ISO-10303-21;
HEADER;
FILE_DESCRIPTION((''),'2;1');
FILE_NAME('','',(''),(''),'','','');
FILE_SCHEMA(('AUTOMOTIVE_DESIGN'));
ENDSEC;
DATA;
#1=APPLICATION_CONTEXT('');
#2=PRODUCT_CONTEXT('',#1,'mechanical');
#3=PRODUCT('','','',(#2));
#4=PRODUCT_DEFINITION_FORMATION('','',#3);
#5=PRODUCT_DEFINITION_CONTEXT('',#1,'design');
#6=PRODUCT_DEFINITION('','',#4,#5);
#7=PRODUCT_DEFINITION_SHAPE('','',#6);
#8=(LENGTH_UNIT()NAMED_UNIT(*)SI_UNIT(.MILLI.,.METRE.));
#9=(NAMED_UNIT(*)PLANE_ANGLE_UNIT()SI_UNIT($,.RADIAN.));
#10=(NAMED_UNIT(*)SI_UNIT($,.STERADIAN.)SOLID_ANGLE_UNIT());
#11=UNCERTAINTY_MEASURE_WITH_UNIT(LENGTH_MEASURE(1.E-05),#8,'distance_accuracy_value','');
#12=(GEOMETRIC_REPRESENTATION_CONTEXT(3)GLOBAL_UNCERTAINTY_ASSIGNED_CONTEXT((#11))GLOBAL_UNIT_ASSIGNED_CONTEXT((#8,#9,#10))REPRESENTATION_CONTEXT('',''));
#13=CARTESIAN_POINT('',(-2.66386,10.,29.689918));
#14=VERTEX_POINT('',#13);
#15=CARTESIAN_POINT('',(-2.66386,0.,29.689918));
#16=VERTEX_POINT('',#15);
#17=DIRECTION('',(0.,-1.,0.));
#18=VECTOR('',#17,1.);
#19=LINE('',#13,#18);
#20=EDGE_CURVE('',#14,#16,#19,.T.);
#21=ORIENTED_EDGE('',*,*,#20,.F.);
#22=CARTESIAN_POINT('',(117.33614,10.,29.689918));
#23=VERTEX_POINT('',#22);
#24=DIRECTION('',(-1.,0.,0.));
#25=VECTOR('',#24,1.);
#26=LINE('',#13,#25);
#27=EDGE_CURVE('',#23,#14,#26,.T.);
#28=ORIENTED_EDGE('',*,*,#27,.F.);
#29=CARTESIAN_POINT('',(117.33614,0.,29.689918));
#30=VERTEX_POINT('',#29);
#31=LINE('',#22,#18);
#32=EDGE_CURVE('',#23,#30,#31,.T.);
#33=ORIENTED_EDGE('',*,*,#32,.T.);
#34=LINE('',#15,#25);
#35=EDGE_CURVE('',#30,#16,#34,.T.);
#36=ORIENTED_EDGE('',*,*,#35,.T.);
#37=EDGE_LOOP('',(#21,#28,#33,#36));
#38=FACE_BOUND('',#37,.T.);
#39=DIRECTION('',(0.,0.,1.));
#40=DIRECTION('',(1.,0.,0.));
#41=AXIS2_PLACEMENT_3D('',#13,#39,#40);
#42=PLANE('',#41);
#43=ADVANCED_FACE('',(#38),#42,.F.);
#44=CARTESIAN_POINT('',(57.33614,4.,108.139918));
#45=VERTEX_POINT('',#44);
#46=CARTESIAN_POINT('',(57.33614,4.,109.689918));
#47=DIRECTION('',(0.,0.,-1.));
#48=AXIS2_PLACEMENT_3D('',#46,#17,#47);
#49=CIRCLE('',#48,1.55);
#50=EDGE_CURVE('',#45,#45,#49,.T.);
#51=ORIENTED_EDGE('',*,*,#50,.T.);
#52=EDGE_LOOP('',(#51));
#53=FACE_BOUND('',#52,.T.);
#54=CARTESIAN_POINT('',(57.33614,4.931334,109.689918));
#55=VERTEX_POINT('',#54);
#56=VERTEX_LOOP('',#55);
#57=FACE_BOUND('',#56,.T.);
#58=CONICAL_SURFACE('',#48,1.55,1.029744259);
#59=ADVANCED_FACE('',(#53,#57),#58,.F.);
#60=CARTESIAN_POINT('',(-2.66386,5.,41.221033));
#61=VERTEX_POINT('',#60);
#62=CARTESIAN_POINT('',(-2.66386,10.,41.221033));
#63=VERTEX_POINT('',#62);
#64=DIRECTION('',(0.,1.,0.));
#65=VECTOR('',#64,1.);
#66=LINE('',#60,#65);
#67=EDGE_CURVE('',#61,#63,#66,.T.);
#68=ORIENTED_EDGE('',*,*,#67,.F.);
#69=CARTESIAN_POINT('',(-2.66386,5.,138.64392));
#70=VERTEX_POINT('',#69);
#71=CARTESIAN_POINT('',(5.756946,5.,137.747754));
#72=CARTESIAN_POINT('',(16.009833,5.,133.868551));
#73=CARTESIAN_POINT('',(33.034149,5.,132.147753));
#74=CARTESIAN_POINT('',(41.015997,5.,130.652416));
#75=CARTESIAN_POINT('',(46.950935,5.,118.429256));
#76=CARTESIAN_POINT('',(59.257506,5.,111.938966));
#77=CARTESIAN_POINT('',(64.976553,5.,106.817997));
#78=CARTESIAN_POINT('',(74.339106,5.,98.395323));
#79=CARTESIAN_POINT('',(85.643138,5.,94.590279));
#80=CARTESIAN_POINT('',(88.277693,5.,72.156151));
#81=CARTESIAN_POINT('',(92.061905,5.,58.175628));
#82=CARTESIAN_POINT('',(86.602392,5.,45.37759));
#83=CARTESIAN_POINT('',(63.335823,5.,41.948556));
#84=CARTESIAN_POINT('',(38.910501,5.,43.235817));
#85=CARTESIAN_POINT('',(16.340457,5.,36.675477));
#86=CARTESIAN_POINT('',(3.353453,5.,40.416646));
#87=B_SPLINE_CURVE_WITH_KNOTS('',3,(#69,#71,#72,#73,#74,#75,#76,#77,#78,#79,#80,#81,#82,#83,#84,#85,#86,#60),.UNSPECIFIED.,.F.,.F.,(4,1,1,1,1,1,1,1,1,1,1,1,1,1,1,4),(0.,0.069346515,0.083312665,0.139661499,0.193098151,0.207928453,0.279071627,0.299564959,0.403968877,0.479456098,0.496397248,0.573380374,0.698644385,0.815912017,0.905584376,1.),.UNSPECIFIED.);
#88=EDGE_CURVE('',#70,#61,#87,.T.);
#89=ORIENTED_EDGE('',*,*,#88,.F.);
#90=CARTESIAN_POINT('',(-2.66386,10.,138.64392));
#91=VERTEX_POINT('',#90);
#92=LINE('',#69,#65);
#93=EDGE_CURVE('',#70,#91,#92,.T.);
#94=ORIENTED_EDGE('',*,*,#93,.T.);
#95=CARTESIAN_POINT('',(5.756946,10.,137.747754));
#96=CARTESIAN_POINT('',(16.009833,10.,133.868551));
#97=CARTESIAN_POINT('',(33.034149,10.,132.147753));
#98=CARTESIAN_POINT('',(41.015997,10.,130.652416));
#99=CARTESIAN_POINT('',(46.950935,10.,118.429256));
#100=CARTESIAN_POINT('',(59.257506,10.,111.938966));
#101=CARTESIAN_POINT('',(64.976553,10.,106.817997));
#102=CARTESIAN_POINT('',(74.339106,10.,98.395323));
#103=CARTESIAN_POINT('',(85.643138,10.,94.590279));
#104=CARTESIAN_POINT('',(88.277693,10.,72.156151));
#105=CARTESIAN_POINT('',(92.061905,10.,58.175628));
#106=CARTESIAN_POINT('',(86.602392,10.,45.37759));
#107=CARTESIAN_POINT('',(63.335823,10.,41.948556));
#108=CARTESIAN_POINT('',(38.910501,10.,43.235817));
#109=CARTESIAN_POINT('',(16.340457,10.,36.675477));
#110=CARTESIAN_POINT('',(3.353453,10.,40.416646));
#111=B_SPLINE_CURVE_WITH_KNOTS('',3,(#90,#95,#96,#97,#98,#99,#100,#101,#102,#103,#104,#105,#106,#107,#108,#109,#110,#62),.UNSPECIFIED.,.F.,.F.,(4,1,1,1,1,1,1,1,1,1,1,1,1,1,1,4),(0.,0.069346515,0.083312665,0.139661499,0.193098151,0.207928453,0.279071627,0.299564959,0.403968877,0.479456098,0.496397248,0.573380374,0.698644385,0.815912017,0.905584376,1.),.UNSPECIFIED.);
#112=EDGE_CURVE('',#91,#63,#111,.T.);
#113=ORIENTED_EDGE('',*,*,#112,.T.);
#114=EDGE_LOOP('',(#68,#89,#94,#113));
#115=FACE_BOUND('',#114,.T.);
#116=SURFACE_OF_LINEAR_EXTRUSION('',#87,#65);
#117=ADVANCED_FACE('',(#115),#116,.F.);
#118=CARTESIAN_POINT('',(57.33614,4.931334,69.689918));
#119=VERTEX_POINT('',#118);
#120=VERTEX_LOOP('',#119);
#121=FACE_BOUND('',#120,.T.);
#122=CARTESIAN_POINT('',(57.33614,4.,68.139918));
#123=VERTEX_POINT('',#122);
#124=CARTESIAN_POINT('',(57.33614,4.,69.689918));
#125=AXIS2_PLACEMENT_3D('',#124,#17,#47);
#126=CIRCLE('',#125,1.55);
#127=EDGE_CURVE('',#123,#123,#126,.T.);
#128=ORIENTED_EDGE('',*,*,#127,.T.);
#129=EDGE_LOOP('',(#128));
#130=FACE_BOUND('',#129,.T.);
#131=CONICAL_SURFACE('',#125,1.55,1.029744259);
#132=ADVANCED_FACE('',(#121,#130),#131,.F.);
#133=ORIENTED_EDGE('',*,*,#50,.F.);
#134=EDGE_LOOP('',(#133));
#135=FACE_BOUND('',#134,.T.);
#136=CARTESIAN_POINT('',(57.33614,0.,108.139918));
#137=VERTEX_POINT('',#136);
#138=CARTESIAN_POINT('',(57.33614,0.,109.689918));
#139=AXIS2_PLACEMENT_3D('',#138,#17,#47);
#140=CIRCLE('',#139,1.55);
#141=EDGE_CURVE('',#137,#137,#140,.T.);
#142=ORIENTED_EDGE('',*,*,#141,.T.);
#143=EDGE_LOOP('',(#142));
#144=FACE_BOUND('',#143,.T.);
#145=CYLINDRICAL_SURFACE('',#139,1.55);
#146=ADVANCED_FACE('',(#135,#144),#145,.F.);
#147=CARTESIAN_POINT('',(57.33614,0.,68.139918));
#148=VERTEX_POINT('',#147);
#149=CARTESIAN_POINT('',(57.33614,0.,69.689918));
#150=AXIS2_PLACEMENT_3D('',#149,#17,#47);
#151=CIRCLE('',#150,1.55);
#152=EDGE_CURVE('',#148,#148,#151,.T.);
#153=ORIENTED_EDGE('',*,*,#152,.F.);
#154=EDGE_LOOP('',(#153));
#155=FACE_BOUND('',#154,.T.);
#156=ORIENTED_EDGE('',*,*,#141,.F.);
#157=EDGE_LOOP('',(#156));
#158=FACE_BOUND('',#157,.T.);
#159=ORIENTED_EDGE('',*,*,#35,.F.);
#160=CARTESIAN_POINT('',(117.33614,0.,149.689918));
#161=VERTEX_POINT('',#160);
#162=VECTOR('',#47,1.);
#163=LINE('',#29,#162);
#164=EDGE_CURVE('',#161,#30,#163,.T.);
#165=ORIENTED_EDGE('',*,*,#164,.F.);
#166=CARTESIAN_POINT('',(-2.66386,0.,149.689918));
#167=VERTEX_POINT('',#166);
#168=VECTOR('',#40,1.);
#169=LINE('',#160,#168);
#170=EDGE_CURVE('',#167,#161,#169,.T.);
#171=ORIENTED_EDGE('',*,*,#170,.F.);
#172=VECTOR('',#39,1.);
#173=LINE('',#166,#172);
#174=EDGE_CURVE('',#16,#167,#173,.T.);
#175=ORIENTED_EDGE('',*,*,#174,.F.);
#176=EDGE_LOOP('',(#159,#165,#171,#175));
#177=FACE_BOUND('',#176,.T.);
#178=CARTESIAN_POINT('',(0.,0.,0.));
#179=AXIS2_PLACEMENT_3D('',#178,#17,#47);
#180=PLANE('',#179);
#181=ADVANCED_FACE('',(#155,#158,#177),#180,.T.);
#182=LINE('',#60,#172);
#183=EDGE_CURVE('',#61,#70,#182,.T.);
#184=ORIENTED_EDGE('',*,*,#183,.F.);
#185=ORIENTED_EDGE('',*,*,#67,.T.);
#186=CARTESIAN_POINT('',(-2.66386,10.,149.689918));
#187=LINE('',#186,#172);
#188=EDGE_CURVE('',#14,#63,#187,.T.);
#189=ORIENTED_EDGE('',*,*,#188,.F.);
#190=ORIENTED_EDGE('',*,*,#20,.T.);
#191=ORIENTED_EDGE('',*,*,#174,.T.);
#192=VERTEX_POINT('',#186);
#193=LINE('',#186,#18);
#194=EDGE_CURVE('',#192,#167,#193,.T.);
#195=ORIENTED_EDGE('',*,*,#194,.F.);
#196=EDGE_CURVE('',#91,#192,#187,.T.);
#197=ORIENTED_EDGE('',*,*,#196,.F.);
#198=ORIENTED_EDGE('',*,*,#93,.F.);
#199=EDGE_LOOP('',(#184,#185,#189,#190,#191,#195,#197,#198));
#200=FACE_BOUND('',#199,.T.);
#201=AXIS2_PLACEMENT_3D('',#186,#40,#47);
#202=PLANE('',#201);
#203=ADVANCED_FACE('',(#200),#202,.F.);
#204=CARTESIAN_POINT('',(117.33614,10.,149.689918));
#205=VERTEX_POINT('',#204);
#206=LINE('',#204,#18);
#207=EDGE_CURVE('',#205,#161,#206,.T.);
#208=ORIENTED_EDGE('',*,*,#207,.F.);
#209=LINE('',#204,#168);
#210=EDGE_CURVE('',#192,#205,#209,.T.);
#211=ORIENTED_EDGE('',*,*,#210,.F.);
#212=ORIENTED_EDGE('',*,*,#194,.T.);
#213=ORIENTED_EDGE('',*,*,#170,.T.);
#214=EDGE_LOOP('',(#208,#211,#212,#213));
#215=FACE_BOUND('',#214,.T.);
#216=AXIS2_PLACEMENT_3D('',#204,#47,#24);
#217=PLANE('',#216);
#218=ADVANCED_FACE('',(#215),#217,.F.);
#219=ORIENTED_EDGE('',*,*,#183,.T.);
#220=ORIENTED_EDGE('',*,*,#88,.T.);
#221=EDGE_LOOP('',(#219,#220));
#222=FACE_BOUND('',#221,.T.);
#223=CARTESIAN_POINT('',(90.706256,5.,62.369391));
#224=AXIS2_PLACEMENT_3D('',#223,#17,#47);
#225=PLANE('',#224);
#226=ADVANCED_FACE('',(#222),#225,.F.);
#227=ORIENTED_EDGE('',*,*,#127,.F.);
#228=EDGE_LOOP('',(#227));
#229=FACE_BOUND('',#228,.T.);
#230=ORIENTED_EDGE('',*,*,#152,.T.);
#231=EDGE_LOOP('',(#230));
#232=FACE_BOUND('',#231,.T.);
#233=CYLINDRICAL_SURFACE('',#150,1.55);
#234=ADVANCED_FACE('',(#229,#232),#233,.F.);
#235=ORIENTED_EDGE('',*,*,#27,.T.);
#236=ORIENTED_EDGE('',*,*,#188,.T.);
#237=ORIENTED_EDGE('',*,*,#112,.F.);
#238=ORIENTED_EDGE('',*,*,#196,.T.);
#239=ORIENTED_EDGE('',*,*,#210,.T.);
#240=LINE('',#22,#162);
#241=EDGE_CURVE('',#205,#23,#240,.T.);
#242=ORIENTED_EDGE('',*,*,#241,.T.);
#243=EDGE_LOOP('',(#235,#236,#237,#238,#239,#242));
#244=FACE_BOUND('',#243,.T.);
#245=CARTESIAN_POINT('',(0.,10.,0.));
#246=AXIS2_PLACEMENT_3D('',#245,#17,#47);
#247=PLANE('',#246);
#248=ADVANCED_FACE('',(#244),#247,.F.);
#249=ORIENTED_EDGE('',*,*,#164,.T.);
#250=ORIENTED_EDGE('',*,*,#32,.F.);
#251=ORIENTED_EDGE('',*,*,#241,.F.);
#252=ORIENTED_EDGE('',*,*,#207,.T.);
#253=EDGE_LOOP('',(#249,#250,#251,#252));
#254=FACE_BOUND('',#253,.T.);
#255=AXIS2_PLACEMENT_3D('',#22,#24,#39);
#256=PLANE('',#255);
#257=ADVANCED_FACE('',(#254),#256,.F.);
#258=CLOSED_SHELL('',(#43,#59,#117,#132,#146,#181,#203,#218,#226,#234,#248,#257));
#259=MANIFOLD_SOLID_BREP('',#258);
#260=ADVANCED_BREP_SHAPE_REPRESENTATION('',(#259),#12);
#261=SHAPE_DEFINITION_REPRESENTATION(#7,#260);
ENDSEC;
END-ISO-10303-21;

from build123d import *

# Parameters (mm, degrees)
SCHIZZO2_W                   = 120
SCHIZZO2_H                   = 120
ESTRUSIONE_ESTRUSIONE2_DEPTH = 10
TAGLIO_ESTRUSIONE1_DEPTH     = 5
FORO_PER_VITE_M2_5_2_D       = 3.1
FORO_PER_VITE_M2_5_2_DEPTH   = 4
FORO_PER_VITE_M2_5_2_TIP     = 0.931333959


with BuildPart() as part:
    # Schizzo2 → Estrusione-Estrusione2 (new body)
    with BuildSketch(Plane(origin=(0, 0, 0), x_dir=(1, 0, 0), z_dir=(0, 1, 0))):
        with Locations((57.336140445, -89.689917766)):
            Rectangle(SCHIZZO2_W, SCHIZZO2_H)
    extrude(amount=ESTRUSIONE_ESTRUSIONE2_DEPTH)

    # Schizzo3 → Taglio-Estrusione1 (cut)
    with BuildSketch(Plane(origin=(0, 10, 0), x_dir=(1, 0, 0), z_dir=(0, 1, 0))):
        with BuildLine():
            Line((-2.663859555, -41.221032808), (-2.663859555, -138.643920272))
            add(Edge.make_bspline(
                [(-2.663859555, -41.221032808), (3.353453487, -40.416646042), (16.340457254, -36.675476812), (38.910501362, -43.235816996), (63.335822523, -41.948555632), (86.602392347, -45.377590215), (92.061905469, -58.175628156), (88.277693124, -72.156151016), (85.643137691, -94.590278544), (74.339105676, -98.395322843), (64.976553317, -106.817997229), (59.257506312, -111.938966377), (46.950934572, -118.429256318), (41.01599655, -130.652416152), (33.034149123, -132.147753259), (16.009832786, -133.868551103), (5.75694627, -137.747753924), (-2.663859555, -138.643920272)],
                knots=[0, 0, 0, 0, 0.094415624, 0.184087983, 0.301355615, 0.426619626, 0.503602752, 0.520543902, 0.596031123, 0.700435041, 0.720928373, 0.792071547, 0.806901849, 0.860338501, 0.916687335, 0.930653485, 1, 1, 1, 1], degree=3))
        make_face()
    extrude(amount=-TAGLIO_ESTRUSIONE1_DEPTH, mode=Mode.SUBTRACT)

    # Foro per Vite M2.5-2
    with Locations(Plane(origin=(57.336140445, 0, 69.689917766), x_dir=(0, 0, -1), z_dir=(0, -1, 0))):
        with Locations((0, 0), (-40, 0)):
            Hole(FORO_PER_VITE_M2_5_2_D / 2, depth=FORO_PER_VITE_M2_5_2_DEPTH)
            with Locations((0, 0, -(FORO_PER_VITE_M2_5_2_DEPTH + FORO_PER_VITE_M2_5_2_TIP / 2))):  # 118° drill point
                Cone(0, FORO_PER_VITE_M2_5_2_D / 2, FORO_PER_VITE_M2_5_2_TIP, mode=Mode.SUBTRACT)


solid = part.part
